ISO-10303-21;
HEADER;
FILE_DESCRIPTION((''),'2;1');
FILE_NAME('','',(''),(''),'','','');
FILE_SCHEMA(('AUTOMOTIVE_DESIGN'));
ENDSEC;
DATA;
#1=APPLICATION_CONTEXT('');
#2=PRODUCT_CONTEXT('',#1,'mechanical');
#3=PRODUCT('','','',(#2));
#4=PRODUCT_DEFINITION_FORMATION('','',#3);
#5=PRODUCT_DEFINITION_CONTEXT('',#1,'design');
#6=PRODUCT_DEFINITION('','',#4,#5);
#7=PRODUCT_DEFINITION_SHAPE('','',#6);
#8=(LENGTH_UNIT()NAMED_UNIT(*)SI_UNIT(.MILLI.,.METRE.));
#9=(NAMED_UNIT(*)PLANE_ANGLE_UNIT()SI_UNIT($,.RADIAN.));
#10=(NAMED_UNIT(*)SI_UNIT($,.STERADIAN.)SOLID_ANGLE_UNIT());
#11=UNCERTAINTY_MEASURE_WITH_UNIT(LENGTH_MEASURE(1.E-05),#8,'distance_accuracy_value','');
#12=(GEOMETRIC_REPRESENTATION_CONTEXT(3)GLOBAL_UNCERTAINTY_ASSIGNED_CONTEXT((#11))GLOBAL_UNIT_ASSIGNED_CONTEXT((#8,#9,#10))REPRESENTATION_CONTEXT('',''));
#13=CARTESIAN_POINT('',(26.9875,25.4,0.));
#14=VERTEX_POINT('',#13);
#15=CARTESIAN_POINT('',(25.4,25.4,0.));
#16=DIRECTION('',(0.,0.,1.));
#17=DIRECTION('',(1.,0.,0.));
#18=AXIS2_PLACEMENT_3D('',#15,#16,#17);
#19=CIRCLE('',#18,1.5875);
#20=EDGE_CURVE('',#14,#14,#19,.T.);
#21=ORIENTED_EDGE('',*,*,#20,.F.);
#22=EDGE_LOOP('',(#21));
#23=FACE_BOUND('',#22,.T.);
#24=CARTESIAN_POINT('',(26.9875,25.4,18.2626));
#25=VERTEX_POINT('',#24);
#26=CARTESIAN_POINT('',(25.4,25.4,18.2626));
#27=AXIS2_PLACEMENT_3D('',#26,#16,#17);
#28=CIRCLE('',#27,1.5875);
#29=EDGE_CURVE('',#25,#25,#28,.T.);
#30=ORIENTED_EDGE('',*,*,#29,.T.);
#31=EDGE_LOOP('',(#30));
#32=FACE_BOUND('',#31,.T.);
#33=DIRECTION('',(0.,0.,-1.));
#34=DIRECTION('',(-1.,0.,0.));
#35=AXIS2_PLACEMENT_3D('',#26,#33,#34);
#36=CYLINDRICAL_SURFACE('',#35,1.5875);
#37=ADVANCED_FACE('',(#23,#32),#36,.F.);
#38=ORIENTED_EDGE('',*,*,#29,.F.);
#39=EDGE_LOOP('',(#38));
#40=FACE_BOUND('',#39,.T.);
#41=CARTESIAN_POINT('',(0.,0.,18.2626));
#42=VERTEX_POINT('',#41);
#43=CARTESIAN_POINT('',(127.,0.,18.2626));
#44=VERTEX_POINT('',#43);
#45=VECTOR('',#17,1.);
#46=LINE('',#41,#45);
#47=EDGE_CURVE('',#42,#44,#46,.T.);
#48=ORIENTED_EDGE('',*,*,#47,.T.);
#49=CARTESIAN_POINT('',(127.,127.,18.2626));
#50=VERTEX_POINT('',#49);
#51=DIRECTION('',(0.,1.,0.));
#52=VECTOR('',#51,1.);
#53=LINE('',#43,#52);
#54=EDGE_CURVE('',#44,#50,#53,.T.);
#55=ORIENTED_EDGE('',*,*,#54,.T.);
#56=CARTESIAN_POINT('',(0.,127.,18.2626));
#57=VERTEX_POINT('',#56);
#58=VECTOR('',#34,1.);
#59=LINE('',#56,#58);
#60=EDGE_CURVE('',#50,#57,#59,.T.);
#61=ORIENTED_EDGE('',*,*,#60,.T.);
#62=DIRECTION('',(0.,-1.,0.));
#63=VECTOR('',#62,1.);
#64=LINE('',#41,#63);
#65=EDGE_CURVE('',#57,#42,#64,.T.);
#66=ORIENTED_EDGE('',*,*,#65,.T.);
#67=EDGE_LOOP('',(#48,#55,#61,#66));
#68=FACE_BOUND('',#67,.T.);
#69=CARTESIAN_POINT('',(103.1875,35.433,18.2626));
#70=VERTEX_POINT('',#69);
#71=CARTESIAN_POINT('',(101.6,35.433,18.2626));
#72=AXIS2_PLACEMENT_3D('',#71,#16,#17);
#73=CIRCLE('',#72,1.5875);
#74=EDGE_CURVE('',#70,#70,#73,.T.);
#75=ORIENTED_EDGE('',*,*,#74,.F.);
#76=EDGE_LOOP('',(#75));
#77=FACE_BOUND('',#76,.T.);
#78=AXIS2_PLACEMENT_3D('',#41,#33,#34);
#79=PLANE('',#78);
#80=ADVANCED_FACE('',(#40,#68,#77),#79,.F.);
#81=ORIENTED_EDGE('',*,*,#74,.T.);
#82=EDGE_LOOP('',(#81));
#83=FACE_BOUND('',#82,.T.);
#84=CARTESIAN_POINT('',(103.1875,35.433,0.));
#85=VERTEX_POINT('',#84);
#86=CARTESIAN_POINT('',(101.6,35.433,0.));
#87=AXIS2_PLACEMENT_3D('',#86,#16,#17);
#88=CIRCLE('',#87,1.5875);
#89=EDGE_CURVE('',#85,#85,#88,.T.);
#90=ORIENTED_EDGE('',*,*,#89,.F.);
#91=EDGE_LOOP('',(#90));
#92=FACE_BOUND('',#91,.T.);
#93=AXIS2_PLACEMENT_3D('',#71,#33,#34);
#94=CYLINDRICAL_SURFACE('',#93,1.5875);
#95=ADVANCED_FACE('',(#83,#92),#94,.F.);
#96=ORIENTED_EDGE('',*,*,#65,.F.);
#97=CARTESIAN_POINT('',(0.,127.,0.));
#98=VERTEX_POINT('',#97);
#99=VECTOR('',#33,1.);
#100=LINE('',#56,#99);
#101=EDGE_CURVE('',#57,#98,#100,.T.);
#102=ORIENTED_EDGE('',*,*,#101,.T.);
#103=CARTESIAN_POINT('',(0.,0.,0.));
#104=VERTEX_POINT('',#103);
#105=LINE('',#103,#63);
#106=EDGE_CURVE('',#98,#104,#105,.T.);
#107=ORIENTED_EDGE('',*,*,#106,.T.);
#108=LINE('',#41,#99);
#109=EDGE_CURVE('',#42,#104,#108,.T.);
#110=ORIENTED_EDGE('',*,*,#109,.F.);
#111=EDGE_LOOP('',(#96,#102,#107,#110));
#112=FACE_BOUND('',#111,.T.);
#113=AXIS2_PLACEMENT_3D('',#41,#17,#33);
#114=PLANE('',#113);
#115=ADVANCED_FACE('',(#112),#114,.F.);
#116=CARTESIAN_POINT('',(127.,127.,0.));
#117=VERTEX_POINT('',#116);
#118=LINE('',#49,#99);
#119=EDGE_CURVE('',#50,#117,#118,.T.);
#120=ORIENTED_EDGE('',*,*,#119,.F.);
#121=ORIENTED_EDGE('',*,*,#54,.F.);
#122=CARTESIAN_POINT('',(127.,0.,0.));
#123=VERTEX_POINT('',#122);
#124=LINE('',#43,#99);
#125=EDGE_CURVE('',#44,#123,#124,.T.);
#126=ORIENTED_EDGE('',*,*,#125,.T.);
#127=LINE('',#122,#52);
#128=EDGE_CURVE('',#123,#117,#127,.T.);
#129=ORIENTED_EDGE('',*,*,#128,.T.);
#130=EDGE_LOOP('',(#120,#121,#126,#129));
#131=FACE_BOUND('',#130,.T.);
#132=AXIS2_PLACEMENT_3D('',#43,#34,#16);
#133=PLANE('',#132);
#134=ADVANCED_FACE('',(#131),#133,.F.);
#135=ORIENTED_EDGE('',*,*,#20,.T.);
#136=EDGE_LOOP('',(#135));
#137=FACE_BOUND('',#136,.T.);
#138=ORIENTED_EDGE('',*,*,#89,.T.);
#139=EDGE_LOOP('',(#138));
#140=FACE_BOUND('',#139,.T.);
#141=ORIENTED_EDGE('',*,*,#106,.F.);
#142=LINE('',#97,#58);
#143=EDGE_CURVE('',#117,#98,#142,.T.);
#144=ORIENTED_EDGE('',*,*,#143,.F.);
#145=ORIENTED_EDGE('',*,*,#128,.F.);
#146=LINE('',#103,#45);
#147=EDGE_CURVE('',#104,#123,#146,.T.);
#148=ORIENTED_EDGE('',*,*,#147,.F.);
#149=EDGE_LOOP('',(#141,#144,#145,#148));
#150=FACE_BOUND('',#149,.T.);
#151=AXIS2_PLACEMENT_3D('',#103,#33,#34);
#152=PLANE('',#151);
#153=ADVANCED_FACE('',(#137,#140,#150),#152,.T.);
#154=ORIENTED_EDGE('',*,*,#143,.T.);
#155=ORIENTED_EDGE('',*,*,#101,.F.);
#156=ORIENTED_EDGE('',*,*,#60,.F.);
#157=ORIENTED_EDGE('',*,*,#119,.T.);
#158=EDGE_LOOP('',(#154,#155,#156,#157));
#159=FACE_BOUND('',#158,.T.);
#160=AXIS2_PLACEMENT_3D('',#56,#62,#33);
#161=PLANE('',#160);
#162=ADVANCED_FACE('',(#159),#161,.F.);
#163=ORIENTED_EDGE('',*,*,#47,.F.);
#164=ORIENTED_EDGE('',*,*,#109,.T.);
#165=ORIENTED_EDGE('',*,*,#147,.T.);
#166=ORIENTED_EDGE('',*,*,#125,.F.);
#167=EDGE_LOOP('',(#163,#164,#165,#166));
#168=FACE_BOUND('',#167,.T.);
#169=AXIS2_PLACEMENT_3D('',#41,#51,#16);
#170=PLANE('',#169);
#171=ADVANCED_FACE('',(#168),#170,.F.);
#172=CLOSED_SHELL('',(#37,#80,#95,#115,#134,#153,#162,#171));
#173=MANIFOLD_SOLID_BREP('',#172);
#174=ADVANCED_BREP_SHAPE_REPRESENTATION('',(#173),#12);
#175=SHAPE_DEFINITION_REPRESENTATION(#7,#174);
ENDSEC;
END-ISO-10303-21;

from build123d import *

# Parameters (mm, degrees)
SKETCH1_W           = 127
SKETCH1_H           = 127
SKETCH1_R           = 1.5875
BOSS_EXTRUDE1_DEPTH = 18.2626


with BuildPart() as part:
    # Sketch1 → Boss-Extrude1 (new body)
    with BuildSketch(Plane.XY):
        with Locations((63.5, 63.5)):
            Rectangle(SKETCH1_W, SKETCH1_H)
        with Locations((25.4, 25.4)):
            Circle(SKETCH1_R, mode=Mode.SUBTRACT)
        with Locations((101.6, 35.433)):
            Circle(SKETCH1_R, mode=Mode.SUBTRACT)
    extrude(amount=BOSS_EXTRUDE1_DEPTH)


solid = part.part
